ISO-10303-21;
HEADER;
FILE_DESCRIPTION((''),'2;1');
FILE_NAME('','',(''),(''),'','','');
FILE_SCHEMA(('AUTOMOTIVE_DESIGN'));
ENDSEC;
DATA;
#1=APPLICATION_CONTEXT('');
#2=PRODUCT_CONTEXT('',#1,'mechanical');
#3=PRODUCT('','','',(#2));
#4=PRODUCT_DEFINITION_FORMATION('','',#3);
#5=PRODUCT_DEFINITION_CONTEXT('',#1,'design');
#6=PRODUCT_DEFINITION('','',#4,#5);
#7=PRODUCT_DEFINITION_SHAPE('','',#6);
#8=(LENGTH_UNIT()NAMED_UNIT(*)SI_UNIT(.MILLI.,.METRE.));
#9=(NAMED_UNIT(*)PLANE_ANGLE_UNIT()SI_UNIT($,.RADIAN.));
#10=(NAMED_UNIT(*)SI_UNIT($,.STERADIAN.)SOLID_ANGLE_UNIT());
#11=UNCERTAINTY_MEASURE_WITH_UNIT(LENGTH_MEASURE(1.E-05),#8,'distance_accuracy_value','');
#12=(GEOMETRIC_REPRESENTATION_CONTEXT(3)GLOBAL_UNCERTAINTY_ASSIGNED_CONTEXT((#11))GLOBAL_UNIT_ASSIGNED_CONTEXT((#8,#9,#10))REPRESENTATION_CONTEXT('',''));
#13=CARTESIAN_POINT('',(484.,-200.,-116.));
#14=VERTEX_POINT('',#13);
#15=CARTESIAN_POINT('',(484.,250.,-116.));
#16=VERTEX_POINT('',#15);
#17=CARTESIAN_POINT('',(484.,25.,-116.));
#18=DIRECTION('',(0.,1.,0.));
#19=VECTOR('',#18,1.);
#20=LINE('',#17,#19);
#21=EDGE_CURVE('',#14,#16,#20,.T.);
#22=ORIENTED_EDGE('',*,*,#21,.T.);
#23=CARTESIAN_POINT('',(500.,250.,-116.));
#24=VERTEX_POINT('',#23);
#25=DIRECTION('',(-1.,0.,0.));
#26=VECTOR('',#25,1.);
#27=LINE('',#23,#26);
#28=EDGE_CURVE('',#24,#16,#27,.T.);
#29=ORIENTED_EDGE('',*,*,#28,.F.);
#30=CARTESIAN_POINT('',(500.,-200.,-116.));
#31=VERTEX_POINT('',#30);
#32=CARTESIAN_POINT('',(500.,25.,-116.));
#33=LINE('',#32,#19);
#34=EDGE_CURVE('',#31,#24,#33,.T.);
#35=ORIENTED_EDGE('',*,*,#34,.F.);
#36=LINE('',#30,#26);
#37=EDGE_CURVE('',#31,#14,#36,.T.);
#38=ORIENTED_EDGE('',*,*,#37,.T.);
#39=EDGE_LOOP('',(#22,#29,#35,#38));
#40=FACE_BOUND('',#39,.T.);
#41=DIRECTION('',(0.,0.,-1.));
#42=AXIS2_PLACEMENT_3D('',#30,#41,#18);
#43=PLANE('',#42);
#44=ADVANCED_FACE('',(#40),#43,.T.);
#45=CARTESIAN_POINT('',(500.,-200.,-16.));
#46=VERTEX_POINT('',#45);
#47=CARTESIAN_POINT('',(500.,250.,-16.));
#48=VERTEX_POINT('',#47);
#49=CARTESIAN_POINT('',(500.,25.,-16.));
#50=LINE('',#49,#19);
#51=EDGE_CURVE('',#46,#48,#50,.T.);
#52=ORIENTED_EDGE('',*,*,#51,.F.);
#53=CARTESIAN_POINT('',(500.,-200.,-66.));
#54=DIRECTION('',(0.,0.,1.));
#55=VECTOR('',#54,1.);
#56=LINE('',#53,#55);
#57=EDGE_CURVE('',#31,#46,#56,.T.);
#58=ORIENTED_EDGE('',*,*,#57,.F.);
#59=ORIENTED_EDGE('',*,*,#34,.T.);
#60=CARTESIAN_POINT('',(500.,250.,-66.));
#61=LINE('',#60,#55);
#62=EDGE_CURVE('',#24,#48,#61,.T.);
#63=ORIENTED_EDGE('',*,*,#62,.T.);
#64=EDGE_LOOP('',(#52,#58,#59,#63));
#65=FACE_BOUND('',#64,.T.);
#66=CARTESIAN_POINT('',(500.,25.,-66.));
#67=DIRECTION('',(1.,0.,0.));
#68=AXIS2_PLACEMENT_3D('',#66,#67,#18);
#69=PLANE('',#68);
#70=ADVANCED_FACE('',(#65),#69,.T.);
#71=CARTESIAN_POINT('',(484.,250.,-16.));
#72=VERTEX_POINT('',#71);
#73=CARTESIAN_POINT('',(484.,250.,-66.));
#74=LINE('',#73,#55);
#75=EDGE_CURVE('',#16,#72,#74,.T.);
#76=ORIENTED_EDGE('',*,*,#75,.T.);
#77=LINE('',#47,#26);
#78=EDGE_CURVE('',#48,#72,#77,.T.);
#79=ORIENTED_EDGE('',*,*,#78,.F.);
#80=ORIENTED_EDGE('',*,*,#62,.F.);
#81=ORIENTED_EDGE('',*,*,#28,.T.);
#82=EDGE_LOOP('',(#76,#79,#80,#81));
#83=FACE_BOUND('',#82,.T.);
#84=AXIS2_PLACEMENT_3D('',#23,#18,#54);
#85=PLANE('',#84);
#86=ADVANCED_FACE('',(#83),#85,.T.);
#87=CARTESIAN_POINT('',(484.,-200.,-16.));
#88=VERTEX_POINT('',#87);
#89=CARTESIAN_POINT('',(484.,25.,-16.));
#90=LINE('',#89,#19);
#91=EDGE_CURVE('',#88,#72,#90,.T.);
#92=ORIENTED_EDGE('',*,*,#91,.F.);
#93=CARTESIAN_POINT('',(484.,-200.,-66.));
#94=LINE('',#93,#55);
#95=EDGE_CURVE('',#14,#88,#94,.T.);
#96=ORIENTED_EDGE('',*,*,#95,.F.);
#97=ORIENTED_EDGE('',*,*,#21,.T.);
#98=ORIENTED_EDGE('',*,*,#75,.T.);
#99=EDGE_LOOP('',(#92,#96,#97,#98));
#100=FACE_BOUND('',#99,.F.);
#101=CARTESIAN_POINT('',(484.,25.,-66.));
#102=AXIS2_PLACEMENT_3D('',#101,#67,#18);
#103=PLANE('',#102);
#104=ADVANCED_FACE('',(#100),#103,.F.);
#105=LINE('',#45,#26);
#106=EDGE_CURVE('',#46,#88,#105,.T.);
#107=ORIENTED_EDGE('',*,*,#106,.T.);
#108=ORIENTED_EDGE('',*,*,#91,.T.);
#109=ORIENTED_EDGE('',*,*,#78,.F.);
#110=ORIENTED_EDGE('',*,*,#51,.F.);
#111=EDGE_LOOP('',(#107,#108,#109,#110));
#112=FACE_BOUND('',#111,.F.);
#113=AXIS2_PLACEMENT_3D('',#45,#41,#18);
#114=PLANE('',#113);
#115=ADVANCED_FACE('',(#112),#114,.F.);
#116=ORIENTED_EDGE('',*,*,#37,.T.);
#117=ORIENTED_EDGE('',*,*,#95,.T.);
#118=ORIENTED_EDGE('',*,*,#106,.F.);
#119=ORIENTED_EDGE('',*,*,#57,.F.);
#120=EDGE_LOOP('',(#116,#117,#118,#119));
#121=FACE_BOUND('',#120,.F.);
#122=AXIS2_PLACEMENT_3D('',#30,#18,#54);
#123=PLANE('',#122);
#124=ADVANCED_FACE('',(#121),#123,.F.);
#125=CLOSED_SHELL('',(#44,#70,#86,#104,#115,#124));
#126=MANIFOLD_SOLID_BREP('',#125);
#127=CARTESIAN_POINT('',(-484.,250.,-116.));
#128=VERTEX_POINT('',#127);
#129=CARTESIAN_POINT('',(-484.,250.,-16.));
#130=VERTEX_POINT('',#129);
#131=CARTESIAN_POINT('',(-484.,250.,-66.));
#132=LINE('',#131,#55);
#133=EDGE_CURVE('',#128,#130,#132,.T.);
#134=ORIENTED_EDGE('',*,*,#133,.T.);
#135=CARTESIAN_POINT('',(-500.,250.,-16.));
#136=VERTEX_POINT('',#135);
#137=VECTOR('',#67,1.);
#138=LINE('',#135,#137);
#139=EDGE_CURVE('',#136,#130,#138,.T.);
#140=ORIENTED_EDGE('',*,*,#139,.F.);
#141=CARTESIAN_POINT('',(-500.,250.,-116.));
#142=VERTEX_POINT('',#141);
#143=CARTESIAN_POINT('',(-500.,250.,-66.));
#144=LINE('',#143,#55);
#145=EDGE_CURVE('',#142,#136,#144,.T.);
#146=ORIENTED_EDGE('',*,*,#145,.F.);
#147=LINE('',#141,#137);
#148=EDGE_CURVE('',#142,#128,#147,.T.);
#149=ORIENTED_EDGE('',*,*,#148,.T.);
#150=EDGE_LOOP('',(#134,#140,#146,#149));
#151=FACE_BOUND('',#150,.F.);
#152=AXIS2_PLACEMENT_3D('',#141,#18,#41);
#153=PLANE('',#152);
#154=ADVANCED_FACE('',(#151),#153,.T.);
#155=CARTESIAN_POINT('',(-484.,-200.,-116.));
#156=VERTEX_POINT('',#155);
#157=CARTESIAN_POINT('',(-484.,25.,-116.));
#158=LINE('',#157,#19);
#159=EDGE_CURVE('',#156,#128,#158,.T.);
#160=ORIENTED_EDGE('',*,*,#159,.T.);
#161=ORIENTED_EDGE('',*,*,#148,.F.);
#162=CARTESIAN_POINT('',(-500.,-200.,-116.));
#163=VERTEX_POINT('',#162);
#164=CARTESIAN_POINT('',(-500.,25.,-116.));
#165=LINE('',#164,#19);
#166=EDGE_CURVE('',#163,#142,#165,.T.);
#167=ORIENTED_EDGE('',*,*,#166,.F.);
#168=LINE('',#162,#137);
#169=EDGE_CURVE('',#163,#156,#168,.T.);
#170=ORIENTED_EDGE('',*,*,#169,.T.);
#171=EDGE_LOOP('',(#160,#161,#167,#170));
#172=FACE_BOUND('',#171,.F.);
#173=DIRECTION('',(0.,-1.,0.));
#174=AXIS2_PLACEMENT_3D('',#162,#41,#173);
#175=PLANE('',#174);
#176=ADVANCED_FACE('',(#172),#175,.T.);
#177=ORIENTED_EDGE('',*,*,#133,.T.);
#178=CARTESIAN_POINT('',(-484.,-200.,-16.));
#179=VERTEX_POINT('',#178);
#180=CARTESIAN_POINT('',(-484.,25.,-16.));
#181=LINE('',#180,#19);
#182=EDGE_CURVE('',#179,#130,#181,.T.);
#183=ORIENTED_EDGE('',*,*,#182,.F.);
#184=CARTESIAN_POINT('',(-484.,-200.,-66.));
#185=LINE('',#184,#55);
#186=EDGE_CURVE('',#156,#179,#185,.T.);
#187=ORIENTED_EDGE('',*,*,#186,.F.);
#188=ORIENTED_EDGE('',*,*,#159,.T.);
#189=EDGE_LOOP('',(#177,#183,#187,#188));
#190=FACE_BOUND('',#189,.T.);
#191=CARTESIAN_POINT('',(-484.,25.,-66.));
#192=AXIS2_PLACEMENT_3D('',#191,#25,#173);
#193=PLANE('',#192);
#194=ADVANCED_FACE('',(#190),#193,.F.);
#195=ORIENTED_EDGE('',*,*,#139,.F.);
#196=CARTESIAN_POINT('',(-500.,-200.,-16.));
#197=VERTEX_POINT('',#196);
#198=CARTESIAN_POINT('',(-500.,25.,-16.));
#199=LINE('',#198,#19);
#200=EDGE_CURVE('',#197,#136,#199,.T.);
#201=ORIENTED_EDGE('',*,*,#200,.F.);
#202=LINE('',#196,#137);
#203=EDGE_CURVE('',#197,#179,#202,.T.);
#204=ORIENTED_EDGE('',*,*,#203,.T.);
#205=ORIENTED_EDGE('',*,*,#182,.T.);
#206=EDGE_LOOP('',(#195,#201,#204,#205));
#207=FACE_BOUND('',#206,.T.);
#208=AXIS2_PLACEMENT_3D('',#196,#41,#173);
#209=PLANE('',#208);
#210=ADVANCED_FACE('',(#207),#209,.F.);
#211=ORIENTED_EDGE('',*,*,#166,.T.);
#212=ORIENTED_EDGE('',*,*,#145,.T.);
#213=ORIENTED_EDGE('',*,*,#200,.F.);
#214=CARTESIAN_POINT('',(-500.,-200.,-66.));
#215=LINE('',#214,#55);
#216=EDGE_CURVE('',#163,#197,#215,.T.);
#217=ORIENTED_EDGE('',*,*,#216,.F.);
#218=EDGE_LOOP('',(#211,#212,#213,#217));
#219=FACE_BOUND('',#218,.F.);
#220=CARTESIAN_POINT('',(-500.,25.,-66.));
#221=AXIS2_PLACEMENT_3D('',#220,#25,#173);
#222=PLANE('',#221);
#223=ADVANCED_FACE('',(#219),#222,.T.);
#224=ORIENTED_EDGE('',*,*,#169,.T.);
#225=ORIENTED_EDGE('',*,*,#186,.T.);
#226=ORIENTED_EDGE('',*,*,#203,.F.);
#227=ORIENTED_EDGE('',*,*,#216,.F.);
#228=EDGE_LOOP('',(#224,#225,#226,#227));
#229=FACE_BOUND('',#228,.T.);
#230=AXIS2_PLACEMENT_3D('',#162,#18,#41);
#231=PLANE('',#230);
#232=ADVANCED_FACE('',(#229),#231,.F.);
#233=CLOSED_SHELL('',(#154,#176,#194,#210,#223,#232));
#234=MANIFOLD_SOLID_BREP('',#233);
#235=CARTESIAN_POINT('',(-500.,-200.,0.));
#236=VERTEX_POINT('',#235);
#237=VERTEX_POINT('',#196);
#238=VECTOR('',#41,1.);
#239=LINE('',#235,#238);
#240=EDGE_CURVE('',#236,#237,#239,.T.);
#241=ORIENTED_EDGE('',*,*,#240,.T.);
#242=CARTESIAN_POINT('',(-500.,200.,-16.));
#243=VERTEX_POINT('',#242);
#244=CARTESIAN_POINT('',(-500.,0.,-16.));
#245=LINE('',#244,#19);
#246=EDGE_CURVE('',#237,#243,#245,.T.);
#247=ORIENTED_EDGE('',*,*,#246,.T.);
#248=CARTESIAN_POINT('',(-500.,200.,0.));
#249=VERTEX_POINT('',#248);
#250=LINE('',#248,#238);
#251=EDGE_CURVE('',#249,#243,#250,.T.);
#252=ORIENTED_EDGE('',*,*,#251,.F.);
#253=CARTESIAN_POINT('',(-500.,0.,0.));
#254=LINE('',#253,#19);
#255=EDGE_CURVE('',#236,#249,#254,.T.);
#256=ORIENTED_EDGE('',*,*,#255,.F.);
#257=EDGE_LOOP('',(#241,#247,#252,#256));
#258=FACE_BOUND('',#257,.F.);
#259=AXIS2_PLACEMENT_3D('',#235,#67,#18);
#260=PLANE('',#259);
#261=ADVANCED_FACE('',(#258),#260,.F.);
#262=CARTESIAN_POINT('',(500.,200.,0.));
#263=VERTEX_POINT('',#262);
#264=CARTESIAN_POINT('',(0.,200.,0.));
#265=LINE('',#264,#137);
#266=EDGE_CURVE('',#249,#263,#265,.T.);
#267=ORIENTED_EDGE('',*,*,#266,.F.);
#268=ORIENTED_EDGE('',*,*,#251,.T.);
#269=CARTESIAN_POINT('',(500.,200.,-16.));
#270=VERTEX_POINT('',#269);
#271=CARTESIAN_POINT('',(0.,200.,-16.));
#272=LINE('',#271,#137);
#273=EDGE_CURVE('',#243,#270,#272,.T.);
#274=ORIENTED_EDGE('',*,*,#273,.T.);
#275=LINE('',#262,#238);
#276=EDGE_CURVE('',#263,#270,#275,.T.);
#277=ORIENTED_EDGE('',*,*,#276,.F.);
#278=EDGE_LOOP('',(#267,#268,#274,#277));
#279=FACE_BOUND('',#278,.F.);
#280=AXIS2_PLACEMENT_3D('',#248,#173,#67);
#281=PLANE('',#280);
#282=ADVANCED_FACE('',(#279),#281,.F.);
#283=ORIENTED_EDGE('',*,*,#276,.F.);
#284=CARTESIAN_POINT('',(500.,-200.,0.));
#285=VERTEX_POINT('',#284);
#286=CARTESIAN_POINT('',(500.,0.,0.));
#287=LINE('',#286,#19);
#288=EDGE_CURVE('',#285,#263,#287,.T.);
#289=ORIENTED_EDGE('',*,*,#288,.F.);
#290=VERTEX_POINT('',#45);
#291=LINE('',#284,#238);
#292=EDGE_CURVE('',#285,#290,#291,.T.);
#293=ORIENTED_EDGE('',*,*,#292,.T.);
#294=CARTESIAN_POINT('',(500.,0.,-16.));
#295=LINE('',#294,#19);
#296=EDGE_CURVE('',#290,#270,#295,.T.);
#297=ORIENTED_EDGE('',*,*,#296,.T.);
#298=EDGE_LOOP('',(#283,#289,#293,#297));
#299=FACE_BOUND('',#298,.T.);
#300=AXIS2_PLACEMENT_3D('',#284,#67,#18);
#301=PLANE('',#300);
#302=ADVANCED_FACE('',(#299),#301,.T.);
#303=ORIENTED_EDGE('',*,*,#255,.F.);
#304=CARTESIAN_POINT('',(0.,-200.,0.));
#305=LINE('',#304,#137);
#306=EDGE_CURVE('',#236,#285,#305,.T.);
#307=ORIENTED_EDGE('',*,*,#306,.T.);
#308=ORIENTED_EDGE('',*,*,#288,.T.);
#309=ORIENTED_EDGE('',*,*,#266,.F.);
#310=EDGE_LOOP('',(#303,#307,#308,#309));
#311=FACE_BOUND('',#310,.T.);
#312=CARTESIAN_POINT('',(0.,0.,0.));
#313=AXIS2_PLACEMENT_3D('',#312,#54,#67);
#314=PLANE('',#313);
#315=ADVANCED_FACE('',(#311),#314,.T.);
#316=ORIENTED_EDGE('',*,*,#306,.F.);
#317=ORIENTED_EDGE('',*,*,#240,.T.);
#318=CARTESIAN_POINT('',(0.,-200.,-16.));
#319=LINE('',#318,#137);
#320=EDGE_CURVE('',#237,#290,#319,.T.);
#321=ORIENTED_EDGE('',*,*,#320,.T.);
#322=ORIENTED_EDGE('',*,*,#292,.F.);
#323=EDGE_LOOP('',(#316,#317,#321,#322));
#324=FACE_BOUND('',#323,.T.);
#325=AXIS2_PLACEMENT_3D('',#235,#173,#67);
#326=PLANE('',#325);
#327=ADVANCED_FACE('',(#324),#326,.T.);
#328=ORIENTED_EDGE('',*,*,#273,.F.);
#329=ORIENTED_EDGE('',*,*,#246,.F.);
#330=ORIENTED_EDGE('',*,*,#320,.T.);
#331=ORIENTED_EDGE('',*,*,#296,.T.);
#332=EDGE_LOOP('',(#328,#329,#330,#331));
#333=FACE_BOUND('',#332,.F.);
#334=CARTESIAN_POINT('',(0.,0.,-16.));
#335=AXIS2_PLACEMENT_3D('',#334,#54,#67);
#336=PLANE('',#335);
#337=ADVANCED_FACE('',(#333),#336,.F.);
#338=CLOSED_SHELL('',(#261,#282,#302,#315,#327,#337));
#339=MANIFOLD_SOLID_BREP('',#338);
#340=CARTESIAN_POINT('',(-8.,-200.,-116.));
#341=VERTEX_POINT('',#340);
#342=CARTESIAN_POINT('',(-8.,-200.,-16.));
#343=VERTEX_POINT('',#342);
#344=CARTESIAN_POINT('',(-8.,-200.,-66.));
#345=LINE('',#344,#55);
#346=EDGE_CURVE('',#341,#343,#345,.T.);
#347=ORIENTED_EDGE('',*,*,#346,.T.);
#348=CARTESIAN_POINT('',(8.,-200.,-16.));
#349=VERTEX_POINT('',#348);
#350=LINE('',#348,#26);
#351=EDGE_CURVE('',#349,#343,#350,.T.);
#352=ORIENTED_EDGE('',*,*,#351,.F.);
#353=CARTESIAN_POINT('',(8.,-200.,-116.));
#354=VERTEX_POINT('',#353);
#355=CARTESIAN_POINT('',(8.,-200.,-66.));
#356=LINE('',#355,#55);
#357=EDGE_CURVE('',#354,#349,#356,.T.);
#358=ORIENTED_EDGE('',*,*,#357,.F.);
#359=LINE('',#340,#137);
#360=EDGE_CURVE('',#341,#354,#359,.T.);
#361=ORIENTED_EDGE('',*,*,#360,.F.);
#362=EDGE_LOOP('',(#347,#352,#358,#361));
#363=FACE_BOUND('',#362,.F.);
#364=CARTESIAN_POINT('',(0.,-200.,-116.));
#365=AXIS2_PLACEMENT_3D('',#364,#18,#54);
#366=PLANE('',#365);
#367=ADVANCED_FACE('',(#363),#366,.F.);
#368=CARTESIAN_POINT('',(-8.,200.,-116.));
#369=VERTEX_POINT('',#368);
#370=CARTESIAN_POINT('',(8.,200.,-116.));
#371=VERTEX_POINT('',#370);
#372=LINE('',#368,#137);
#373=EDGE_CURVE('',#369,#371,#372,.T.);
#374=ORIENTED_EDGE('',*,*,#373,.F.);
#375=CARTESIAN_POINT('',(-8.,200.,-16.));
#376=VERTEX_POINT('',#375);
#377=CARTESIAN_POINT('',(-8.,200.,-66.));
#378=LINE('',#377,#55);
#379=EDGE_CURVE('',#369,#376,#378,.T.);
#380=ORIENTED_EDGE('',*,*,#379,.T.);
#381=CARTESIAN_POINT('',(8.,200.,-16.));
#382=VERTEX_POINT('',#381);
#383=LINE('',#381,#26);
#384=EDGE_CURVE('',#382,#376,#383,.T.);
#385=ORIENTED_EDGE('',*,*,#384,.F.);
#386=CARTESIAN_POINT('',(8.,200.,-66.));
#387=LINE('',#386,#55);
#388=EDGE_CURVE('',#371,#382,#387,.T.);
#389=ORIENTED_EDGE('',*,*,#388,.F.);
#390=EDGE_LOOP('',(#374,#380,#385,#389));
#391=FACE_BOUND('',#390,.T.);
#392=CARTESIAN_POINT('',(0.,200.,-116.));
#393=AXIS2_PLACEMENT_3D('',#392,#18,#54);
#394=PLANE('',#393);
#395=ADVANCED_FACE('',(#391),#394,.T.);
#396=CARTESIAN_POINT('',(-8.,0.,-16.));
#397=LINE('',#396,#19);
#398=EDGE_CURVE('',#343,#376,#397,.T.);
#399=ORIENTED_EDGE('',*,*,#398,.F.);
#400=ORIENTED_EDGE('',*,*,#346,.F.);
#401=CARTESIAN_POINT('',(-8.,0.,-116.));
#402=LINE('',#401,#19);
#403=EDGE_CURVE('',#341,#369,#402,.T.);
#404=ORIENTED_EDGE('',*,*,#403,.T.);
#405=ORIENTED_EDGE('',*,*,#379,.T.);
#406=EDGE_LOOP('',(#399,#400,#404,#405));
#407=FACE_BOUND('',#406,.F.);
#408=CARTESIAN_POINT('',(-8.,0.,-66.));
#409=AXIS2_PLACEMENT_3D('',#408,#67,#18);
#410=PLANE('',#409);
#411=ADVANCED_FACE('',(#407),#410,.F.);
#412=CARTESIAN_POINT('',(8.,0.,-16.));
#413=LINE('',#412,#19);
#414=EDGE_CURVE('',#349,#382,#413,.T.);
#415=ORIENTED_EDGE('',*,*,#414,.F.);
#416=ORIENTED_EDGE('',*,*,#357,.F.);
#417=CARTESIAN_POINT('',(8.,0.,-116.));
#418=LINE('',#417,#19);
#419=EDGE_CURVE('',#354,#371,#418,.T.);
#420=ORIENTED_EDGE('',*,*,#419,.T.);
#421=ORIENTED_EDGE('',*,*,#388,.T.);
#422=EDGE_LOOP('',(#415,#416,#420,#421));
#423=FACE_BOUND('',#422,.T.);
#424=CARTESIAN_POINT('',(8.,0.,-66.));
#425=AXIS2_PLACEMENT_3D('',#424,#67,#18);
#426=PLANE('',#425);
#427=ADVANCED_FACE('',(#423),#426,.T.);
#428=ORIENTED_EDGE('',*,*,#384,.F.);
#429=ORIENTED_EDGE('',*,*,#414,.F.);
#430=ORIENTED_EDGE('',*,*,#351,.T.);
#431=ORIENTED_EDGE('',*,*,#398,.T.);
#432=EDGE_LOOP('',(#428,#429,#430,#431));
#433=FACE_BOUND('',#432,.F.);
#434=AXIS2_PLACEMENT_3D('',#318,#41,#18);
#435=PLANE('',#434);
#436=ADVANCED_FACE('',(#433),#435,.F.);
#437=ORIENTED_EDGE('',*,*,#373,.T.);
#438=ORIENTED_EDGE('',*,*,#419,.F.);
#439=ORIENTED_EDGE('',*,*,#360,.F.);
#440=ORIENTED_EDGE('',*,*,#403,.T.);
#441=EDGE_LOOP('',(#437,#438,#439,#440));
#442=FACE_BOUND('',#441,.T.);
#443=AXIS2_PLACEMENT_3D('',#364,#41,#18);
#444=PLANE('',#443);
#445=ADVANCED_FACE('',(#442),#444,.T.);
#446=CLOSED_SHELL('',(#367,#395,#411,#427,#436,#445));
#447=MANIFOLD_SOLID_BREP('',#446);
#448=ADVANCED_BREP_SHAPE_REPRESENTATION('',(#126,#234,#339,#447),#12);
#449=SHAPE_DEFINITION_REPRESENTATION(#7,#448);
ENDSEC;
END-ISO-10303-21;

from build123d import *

# Parameters (mm, degrees)
F0_W          = 1000
F0_H          = 400
F1_DEPTH      = 16
F3_W          = 450
F3_H          = 100
F4_DEPTH      = 16
F6_W          = 400
F6_H          = 100
F7_DEPTH      = 8
F7_DEPTH_BACK = 8


with BuildPart() as f1:
    # F0 (on Top) → F1 (new body)
    with BuildSketch(Plane.XY):
        Rectangle(F0_W, F0_H)
    extrude(amount=-F1_DEPTH)


with BuildPart() as f4:
    # F3 (on offset) → F4 (new body)
    with BuildSketch(Plane.YZ.offset(500)):
        with Locations((25, -66)):
            Rectangle(F3_W, F3_H)
    extrude(amount=-F4_DEPTH)


with BuildPart() as f5_1:
    # F5: instance of F4
    add(f4.part.mirror(Plane.YZ))


with BuildPart() as f7:
    # F6 (on Right) → F7 (new body, two sides)
    with BuildSketch(Plane.YZ) as f7_sk:
        with Locations((0, -66)):
            Rectangle(F6_W, F6_H)
    extrude(amount=F7_DEPTH)
    extrude(f7_sk.sketch, amount=-F7_DEPTH_BACK)


solid = Compound([f1.part, f4.part, f5_1.part, f7.part])
